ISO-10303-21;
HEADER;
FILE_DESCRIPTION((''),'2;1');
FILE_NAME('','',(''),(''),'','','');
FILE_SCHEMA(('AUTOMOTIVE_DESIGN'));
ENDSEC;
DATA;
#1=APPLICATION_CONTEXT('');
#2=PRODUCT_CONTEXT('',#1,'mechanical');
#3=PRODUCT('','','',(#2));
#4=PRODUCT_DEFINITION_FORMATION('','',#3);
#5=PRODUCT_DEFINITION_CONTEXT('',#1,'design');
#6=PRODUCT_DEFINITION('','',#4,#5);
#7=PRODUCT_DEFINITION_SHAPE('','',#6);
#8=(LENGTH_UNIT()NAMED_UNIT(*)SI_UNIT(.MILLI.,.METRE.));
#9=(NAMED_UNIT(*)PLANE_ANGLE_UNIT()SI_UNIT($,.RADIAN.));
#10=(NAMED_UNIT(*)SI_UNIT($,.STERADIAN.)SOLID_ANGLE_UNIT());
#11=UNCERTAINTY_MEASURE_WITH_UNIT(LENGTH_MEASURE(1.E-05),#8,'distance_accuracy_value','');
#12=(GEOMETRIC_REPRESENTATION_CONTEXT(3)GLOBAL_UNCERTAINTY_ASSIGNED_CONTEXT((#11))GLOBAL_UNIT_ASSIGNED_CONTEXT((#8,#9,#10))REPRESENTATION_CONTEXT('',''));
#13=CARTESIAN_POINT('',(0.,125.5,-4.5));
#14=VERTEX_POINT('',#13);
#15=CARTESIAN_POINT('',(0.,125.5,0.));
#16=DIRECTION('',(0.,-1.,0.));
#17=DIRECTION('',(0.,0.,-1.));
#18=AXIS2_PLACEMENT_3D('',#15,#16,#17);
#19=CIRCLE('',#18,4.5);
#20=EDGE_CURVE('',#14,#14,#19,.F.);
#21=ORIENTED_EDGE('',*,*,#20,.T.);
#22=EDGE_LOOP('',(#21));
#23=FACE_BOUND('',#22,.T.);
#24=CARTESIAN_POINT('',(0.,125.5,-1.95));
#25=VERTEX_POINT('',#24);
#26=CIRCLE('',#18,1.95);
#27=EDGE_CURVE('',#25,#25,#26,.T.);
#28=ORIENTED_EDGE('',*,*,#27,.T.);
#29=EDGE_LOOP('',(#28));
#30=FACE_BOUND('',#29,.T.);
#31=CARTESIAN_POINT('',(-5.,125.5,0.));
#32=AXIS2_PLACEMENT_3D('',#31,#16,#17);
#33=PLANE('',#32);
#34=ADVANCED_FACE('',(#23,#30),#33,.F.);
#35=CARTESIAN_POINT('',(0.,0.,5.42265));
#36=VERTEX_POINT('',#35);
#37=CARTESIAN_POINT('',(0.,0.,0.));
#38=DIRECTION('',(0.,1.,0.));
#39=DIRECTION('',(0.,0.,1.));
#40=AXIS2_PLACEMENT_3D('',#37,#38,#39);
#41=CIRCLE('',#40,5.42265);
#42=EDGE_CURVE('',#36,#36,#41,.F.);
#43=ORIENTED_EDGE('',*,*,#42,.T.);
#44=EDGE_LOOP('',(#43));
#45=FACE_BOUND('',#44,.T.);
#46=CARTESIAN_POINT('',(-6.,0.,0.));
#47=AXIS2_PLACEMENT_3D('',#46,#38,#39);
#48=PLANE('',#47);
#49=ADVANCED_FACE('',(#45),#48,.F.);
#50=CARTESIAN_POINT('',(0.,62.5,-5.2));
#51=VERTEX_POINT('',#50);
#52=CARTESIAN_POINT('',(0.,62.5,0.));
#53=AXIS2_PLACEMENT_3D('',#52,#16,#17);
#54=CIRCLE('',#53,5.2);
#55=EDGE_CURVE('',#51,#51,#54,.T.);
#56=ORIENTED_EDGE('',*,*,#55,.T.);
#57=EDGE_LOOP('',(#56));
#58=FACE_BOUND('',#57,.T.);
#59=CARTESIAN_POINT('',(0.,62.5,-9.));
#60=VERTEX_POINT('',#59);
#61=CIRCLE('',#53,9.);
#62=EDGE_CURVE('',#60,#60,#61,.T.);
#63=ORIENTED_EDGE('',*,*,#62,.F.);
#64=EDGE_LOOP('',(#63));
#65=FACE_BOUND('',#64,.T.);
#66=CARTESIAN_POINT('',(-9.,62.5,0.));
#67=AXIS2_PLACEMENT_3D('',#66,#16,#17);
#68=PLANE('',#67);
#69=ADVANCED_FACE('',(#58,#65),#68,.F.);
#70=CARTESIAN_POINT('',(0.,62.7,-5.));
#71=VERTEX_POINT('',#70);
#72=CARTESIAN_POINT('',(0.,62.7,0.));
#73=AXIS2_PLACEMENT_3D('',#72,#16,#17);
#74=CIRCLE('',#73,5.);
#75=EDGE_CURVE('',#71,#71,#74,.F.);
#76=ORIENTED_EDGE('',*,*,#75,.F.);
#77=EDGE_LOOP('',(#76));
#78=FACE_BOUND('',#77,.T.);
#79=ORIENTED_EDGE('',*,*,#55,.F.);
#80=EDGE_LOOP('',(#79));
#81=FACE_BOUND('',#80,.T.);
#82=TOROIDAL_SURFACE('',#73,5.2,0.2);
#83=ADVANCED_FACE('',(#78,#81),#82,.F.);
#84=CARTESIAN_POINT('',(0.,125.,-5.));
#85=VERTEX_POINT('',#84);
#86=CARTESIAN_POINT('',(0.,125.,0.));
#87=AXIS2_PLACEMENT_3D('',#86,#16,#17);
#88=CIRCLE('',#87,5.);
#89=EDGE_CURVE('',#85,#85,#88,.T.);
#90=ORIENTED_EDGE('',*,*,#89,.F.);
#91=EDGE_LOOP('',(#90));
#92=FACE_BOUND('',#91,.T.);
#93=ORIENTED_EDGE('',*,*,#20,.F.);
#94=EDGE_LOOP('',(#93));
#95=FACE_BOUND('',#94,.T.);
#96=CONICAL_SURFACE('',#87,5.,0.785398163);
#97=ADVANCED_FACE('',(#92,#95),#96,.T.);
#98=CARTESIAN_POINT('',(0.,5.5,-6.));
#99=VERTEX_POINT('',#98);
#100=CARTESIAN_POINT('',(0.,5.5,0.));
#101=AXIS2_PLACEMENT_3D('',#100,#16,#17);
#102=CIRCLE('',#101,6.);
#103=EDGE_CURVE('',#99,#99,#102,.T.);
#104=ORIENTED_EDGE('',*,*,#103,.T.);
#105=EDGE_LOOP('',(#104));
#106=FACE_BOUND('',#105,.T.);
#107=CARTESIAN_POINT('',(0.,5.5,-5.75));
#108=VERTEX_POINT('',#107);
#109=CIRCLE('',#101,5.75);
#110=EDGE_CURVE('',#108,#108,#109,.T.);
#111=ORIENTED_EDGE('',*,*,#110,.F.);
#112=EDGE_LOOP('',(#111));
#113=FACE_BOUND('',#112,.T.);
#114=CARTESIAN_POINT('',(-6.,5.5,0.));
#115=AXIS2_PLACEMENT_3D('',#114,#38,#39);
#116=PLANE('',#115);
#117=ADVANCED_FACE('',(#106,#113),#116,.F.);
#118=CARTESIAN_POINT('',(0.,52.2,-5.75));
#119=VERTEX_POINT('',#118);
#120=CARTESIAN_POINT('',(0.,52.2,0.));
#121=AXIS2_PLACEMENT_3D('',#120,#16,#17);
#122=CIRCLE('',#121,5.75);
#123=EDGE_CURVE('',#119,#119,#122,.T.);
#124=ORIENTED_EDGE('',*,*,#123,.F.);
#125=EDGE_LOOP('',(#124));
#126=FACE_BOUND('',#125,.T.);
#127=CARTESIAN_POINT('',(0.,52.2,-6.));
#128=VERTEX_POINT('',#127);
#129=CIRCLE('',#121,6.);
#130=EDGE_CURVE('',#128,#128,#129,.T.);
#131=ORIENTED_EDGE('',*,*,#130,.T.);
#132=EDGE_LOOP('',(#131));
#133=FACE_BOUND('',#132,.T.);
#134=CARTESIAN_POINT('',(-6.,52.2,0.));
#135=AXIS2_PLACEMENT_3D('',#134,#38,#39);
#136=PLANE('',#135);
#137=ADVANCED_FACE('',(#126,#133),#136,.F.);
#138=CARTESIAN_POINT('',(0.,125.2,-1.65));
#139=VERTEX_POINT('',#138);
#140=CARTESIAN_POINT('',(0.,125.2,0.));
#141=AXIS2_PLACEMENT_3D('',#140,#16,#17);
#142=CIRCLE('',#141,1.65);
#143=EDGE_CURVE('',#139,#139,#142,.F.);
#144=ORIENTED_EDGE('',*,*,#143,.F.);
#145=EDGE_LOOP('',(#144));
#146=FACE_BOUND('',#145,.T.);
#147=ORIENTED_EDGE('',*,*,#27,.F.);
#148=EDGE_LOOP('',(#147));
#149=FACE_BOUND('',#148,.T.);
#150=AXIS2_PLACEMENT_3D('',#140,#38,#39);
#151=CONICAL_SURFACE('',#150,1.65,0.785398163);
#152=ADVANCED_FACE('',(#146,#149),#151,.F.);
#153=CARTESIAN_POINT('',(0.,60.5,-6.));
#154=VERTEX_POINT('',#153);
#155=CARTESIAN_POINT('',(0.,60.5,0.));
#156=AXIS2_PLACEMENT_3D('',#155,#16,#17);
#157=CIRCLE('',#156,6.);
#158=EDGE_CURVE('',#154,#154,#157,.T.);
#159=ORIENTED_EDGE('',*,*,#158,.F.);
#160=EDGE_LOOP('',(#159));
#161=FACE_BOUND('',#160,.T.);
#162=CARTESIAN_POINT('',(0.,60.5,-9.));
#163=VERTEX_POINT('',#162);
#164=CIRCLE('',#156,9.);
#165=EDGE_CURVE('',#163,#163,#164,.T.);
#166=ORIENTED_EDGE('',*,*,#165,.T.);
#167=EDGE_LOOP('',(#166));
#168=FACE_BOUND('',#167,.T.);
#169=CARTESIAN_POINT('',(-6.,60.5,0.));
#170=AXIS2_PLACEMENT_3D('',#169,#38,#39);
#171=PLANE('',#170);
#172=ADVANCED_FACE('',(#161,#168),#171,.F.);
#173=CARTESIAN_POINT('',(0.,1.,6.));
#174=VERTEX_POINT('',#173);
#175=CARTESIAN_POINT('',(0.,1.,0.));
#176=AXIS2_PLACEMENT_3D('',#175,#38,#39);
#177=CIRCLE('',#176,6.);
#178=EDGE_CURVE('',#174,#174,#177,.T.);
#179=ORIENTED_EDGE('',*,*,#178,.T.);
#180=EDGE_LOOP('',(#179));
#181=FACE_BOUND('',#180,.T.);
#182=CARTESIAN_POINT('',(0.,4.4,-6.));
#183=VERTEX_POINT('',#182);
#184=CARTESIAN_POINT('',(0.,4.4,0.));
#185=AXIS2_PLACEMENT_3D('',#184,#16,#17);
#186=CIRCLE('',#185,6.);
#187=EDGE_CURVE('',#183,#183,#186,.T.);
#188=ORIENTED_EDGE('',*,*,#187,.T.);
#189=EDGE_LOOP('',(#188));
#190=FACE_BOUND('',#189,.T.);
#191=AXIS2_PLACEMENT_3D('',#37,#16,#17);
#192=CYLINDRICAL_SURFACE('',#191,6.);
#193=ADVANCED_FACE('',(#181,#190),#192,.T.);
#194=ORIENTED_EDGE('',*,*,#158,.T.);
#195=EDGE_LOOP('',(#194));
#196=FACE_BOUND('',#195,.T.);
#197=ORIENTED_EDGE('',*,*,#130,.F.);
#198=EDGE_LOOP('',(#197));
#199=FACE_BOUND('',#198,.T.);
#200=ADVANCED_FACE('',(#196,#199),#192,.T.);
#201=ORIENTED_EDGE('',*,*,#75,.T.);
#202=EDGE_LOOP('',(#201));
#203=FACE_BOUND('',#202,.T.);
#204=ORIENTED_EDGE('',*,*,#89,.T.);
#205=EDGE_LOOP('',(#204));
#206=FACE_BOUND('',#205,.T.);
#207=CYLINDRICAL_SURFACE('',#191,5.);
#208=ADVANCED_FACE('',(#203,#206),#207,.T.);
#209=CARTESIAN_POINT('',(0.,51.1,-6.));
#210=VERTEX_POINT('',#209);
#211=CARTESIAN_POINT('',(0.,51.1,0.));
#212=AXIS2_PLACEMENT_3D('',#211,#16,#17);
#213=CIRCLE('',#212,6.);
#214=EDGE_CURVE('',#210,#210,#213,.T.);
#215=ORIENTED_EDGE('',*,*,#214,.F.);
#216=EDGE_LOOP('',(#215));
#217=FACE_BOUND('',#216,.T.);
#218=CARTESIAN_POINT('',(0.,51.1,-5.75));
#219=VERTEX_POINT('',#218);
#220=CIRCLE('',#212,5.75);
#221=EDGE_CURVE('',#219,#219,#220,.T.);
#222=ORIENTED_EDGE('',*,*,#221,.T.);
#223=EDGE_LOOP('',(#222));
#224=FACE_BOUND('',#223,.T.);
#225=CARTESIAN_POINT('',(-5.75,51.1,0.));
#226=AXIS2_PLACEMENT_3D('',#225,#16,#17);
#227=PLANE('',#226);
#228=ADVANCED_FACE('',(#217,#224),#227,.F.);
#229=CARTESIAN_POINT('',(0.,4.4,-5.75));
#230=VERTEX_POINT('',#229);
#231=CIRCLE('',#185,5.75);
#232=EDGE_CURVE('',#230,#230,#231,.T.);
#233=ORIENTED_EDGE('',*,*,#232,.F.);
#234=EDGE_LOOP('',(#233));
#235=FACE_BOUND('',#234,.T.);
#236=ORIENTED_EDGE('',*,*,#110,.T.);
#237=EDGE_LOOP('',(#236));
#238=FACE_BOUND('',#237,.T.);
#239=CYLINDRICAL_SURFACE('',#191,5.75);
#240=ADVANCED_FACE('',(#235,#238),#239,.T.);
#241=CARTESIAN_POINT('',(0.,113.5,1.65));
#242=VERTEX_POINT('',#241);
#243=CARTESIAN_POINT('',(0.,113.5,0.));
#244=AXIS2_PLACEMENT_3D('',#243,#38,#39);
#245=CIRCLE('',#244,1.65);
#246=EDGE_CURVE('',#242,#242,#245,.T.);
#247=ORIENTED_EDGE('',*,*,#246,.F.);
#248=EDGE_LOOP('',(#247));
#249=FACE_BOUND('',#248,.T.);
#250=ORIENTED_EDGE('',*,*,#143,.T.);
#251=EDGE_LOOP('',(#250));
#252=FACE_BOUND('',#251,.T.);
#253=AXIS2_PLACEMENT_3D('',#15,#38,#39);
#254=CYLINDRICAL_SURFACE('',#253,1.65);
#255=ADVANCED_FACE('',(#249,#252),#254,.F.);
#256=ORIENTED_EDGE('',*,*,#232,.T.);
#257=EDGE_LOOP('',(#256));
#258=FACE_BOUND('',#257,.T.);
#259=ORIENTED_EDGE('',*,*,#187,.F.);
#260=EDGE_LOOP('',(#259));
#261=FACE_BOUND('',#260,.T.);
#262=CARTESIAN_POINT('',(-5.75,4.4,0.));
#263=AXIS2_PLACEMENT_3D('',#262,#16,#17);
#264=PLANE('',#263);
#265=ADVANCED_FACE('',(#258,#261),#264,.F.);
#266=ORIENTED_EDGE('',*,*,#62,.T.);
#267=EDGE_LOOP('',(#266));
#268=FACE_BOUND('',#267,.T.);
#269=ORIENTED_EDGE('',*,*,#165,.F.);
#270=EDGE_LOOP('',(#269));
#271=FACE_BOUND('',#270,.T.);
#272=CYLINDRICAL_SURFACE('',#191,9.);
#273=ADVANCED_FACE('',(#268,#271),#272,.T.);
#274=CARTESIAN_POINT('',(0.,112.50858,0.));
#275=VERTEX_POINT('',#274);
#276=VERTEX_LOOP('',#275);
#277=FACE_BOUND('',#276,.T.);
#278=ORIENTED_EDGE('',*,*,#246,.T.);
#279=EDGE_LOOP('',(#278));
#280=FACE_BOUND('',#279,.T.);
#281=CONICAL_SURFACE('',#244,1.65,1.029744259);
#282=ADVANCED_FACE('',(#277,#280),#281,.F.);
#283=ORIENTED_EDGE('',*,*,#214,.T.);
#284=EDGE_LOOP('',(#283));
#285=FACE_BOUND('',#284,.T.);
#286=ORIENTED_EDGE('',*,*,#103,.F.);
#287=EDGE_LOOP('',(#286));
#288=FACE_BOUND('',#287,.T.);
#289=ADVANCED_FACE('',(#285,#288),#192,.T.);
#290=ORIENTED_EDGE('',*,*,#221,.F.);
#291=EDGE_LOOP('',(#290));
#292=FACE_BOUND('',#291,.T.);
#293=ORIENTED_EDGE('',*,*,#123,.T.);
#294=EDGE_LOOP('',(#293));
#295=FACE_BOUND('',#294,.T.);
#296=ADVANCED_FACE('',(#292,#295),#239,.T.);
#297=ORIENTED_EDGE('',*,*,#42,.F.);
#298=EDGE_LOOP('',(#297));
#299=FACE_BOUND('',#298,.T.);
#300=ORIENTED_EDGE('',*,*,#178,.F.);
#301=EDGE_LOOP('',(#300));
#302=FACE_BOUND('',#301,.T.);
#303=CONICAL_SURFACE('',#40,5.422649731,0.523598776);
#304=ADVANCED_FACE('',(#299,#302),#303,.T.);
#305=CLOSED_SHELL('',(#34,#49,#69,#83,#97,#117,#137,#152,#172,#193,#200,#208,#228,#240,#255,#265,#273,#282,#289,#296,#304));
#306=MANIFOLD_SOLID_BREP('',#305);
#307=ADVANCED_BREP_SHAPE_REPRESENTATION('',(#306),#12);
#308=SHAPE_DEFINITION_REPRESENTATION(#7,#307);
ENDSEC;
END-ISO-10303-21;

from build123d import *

# Parameters (mm, degrees)
ZKOSEN_1_SIZE   = 0.5
ZKOSEN_2_SIZE   = 1
ZKOSEN_2_SIZE2  = 0.577350269
ZAOBLIT3_R      = 0.2
M4_Z_VIT1_D     = 3.3
M4_Z_VIT1_DEPTH = 12
M4_Z_VIT1_TIP   = 0.991420021
ZKOSEN_4_SIZE   = 0.3


with BuildPart() as part:
    # Skica1 → Rotovat1 (revolve)
    with BuildSketch(Plane.XY, mode=Mode.PRIVATE) as rotovat1_sk:
        Polygon((-6, 0), (-6, 4.4), (-5.75, 4.4), (-5.75, 5.5), (-6, 5.5), (-6, 51.1), (-5.75, 51.1), (-5.75, 52.2), (-6, 52.2), (-6, 60.5), (-9, 60.5), (-9, 62.5), (-5, 62.5), (-5, 125.5), (0, 125.5), (0, 0), align=None)
    revolve(rotovat1_sk.sketch.rotate(Axis((0, 0, 0), (0, 1, 0)), 270), axis=Axis((0, 0, 0), (0, 1, 0)))

    # Zkosení1
    zkosen_1_edges = [part.edges().sort_by_distance(p)[0] for p in [
        (0, 125.5, 5),
    ]]
    chamfer(zkosen_1_edges, length=ZKOSEN_1_SIZE)

    # Zkosení2
    zkosen_2_edges = [part.edges().sort_by_distance(p)[0] for p in [
        (0, 0, 6),
    ]]
    zkosen_2_side = [part.faces().sort_by_distance(p)[0] for p in [
        (0, 2.2, 6),
    ]]
    chamfer(zkosen_2_edges, length=ZKOSEN_2_SIZE, length2=ZKOSEN_2_SIZE2, reference=zkosen_2_side[0])

    # Zaoblit3
    zaoblit3_edges = [part.edges().sort_by_distance(p)[0] for p in [
        (0, 62.5, 5),
    ]]
    fillet(zaoblit3_edges, radius=ZAOBLIT3_R)

    # M4 závit1
    with Locations(Plane(origin=(0, 125.5, 0), x_dir=(1, 0, 0), z_dir=(0, 1, 0))):
        with Locations((0, 0)):
            Hole(M4_Z_VIT1_D / 2, depth=M4_Z_VIT1_DEPTH)
            with Locations((0, 0, -(M4_Z_VIT1_DEPTH + M4_Z_VIT1_TIP / 2))):  # 118° drill point
                Cone(0, M4_Z_VIT1_D / 2, M4_Z_VIT1_TIP, mode=Mode.SUBTRACT)

    # Zkosení4
    zkosen_4_edges = [part.edges().sort_by_distance(p)[0] for p in [
        (1.65, 125.5, 0),
    ]]
    chamfer(zkosen_4_edges, length=ZKOSEN_4_SIZE)


solid = part.part
